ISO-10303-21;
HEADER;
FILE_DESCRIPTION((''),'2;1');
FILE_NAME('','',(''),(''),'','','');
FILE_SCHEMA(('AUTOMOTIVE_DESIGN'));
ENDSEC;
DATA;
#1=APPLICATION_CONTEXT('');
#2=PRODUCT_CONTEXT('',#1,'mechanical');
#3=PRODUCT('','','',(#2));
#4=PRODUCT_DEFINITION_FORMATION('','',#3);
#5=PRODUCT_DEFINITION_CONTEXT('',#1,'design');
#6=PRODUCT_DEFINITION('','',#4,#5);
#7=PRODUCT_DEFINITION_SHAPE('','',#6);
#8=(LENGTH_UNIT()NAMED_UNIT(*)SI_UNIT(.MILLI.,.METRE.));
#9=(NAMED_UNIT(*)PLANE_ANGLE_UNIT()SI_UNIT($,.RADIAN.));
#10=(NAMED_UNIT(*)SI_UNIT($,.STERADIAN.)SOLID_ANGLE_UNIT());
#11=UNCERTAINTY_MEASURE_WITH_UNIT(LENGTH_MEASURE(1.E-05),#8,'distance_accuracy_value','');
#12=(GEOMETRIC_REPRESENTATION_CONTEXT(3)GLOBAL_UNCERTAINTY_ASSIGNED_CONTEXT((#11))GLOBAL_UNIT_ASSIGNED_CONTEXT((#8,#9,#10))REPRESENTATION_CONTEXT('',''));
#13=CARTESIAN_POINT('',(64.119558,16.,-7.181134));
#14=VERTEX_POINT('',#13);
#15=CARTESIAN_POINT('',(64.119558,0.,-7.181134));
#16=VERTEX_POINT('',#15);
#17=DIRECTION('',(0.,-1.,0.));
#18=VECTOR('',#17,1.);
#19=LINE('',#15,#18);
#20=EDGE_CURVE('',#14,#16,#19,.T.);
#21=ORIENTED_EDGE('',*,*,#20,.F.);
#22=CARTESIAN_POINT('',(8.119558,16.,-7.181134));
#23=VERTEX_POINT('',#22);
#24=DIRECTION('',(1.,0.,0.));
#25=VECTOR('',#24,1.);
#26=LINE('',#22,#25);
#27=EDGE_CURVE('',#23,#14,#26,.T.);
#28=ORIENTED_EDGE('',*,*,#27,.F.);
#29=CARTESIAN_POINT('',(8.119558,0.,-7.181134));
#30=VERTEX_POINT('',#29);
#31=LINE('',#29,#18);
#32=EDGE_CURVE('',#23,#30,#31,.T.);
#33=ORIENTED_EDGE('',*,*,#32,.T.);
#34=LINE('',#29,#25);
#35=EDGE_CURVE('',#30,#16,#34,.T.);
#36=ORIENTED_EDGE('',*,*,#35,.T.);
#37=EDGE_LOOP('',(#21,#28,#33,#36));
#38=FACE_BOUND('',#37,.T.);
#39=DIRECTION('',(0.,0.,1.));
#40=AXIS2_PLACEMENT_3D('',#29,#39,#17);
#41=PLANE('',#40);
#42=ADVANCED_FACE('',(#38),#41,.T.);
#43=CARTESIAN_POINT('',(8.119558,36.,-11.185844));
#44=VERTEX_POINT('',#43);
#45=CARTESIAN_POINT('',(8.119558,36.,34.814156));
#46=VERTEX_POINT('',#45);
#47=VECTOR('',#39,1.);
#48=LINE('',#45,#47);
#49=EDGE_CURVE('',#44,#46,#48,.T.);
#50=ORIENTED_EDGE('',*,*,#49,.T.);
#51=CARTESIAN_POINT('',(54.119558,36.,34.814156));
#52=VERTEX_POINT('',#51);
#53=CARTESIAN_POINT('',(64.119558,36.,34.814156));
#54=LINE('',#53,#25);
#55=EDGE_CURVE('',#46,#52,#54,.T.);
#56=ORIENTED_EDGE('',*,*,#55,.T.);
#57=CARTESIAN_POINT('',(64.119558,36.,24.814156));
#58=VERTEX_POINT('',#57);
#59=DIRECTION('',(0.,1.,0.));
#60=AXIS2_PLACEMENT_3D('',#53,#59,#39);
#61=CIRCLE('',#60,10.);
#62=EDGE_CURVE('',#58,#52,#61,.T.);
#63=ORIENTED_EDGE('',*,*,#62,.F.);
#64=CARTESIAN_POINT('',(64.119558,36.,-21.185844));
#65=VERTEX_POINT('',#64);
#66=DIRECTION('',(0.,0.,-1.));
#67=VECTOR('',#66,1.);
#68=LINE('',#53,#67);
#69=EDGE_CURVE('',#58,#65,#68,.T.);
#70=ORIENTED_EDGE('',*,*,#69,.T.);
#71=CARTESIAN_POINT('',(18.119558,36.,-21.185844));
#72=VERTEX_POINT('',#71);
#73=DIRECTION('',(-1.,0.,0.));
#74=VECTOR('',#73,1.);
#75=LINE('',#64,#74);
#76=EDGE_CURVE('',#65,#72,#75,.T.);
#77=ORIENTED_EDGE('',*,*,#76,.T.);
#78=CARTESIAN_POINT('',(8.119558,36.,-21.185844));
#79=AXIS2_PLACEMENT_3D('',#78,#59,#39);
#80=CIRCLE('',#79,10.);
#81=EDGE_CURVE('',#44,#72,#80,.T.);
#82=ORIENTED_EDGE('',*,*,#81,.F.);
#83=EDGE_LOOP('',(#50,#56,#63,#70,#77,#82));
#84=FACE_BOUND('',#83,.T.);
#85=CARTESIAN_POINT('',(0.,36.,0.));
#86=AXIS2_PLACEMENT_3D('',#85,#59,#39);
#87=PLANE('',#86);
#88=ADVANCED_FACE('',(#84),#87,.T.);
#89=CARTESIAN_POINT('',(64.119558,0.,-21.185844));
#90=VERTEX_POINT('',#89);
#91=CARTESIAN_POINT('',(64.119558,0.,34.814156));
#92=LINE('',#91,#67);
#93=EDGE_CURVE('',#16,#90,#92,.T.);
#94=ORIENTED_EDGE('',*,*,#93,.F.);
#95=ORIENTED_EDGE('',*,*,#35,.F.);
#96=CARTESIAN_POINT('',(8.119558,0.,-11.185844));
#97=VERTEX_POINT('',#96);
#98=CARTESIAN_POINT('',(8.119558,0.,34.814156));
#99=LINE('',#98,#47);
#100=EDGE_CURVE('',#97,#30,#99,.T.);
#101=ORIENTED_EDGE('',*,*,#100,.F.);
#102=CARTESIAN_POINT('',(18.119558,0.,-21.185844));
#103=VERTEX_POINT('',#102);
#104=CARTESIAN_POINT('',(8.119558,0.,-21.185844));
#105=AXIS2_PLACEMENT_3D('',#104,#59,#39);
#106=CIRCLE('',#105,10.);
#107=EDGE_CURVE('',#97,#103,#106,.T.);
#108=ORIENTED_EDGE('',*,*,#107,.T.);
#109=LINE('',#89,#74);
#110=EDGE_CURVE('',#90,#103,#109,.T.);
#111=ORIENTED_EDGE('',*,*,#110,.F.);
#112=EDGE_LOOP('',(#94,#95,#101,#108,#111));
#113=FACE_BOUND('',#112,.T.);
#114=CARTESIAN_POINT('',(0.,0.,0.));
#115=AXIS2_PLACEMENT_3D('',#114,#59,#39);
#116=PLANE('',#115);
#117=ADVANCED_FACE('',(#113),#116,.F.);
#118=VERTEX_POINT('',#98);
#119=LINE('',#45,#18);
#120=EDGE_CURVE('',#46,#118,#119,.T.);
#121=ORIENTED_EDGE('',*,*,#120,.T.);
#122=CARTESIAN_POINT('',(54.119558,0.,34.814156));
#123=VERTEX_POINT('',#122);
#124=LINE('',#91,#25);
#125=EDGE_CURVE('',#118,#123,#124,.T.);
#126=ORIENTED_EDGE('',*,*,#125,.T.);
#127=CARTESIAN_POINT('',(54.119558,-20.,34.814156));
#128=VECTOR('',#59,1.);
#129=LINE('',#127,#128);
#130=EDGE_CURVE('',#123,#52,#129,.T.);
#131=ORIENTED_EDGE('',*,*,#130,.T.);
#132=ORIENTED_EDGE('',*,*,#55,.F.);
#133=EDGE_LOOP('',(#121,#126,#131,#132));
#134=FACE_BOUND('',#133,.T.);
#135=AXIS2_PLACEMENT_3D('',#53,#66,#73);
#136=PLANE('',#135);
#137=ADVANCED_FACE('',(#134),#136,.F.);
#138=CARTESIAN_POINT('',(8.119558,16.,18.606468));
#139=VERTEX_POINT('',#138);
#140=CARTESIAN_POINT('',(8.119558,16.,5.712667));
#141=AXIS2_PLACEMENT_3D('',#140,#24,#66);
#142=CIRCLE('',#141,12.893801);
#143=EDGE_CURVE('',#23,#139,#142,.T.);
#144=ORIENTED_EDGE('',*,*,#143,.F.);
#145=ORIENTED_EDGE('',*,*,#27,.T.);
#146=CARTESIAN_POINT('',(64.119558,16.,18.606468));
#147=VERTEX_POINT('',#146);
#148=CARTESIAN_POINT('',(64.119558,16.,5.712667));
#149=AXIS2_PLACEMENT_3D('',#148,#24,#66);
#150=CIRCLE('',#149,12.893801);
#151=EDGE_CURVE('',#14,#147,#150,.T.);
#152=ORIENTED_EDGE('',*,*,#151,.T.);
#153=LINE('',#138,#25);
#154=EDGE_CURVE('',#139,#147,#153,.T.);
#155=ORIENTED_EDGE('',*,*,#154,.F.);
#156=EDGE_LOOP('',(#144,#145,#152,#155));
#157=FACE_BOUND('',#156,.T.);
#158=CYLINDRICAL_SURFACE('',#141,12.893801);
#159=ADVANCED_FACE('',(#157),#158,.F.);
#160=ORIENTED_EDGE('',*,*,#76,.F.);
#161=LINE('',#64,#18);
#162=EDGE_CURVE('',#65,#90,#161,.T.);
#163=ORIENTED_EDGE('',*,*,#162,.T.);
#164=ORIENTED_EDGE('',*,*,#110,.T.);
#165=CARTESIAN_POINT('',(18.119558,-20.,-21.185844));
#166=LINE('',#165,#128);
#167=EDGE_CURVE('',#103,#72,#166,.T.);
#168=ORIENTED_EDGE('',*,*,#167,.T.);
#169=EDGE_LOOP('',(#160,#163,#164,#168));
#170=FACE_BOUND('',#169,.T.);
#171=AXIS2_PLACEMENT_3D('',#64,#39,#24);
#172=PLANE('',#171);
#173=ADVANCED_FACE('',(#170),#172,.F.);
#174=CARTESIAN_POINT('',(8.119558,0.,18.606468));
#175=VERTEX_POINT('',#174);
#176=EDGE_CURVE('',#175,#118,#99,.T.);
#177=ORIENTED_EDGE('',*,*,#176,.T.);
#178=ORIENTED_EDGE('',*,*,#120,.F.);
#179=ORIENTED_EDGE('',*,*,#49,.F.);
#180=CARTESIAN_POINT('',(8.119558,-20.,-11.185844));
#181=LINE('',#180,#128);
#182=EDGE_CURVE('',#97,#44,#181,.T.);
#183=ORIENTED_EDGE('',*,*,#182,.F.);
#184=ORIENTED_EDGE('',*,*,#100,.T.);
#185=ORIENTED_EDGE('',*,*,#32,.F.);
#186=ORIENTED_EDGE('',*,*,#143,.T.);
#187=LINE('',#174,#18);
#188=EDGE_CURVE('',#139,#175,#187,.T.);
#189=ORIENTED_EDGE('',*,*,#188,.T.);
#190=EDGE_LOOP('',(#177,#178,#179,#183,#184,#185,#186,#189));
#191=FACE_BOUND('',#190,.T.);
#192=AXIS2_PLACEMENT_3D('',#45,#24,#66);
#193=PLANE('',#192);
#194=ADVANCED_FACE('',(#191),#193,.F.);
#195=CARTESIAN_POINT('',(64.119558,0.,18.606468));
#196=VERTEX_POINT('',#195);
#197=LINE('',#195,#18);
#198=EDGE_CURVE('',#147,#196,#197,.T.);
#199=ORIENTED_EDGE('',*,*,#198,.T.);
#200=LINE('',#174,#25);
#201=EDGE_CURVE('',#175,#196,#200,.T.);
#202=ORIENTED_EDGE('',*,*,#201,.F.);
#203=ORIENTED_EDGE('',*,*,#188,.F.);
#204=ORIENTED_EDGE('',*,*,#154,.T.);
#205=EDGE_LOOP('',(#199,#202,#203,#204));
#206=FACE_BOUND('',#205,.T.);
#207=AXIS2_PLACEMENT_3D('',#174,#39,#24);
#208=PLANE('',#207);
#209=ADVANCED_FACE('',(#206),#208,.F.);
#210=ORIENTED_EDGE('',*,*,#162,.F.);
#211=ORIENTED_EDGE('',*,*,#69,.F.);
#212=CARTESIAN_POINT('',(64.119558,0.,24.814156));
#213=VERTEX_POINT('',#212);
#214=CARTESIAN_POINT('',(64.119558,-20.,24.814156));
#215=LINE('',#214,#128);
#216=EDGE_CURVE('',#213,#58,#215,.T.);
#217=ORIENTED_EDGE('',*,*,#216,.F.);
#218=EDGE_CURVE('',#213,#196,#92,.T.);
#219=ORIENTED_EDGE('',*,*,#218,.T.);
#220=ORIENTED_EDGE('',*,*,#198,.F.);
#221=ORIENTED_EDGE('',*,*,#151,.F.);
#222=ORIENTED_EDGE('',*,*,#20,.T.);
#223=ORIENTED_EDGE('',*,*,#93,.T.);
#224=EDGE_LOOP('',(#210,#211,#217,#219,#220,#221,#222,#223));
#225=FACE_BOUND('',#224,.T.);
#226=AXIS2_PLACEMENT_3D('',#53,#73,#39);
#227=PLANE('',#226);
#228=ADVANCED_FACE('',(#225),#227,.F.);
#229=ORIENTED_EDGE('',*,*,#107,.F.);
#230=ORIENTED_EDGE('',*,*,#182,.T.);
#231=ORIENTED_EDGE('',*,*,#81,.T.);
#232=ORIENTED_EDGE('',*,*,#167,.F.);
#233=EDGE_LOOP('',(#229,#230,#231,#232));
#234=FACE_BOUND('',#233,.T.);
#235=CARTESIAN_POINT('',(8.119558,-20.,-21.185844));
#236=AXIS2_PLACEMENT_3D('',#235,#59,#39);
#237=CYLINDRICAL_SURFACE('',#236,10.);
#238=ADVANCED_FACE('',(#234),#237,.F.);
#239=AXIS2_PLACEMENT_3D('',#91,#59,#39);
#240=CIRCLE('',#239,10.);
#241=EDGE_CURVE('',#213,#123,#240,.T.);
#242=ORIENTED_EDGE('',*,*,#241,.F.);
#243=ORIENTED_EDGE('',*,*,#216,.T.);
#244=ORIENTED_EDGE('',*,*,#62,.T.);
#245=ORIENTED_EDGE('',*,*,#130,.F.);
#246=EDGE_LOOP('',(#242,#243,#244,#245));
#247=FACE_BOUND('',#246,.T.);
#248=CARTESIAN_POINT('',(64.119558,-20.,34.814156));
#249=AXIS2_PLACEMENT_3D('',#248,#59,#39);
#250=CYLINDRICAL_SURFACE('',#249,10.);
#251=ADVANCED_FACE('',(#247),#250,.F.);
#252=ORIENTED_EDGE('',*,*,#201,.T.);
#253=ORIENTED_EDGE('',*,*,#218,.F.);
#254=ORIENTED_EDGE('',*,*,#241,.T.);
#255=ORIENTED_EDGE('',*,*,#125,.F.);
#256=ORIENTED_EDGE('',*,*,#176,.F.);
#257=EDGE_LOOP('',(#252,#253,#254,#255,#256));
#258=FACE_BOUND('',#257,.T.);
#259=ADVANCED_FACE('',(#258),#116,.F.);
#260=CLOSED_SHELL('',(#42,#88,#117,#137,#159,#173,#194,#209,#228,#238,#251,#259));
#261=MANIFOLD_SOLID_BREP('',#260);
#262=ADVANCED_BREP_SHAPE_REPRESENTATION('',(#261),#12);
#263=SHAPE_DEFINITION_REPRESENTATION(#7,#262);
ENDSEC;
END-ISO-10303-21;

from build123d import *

# Parameters (mm, degrees)
SKETCH_1_W          = 56
SKETCH_1_H          = 56
EXTRUDE_1_DEPTH     = 36
SKETCH_3_R          = 12.893800992
CUT_EXTRUDE_5_DEPTH = 56
CUT_EXTRUDE_6_DEPTH = 56


with BuildPart() as part:
    # 草图1 → 凸台-拉伸1 (new body)
    with BuildSketch(Plane(origin=(0, 0, 0), x_dir=(1, 0, 0), z_dir=(0, 1, 0))):
        with Locations((36.119558337, -6.81415619)):
            Rectangle(SKETCH_1_W, SKETCH_1_H)
    extrude(amount=EXTRUDE_1_DEPTH)

    # 草图3 → 切除-拉伸5 (cut)
    with BuildSketch(Plane(origin=(64.119558337, 0, 0), x_dir=(0, 0, -1), z_dir=(1, 0, 0))):
        with Locations((-5.712666973, 16)):
            Circle(SKETCH_3_R)
        with BuildLine():
            ThreePointArc((7.181134019, 16), (-5.712666973, 3.106199008), (-18.606467966, 16))
            Line((-18.606467966, 16), (-18.606467966, 0))
            Line((-18.606467966, 0), (7.181134019, 0))
            Line((7.181134019, 0), (7.181134019, 16))
        make_face()
    extrude(amount=-CUT_EXTRUDE_5_DEPTH, mode=Mode.SUBTRACT)

    # 草图5 → 切除-拉伸6 (cut)
    with BuildSketch(Plane(origin=(0, 36, 0), x_dir=(1, 0, 0), z_dir=(0, 1, 0))):
        with BuildLine():
            ThreePointArc((54.119558337, -34.81415619), (64.119558337, -44.81415619), (74.119558337, -34.81415619))
            ThreePointArc((74.119558337, -34.81415619), (71.190626149, -27.743088379), (64.119558337, -24.81415619))
            Line((64.119558337, -24.81415619), (64.119558337, -34.81415619))
            Line((64.119558337, -34.81415619), (54.119558337, -34.81415619))
        make_face()
        with BuildLine():
            Line((64.119558337, -34.81415619), (64.119558337, -24.81415619))
            ThreePointArc((64.119558337, -24.81415619), (57.048490525, -27.743088379), (54.119558337, -34.81415619))
            Line((54.119558337, -34.81415619), (64.119558337, -34.81415619))
        make_face()
        with BuildLine():
            Line((8.119558337, 21.18584381), (18.119558337, 21.18584381))
            ThreePointArc((18.119558337, 21.18584381), (1.048490525, 28.256911621), (8.119558337, 11.18584381))
            Line((8.119558337, 11.18584381), (8.119558337, 21.18584381))
        make_face()
        with BuildLine():
            ThreePointArc((8.119558337, 11.18584381), (15.190626149, 14.114775998), (18.119558337, 21.18584381))
            Line((18.119558337, 21.18584381), (8.119558337, 21.18584381))
            Line((8.119558337, 21.18584381), (8.119558337, 11.18584381))
        make_face()
    extrude(amount=-CUT_EXTRUDE_6_DEPTH, mode=Mode.SUBTRACT)


solid = part.part
